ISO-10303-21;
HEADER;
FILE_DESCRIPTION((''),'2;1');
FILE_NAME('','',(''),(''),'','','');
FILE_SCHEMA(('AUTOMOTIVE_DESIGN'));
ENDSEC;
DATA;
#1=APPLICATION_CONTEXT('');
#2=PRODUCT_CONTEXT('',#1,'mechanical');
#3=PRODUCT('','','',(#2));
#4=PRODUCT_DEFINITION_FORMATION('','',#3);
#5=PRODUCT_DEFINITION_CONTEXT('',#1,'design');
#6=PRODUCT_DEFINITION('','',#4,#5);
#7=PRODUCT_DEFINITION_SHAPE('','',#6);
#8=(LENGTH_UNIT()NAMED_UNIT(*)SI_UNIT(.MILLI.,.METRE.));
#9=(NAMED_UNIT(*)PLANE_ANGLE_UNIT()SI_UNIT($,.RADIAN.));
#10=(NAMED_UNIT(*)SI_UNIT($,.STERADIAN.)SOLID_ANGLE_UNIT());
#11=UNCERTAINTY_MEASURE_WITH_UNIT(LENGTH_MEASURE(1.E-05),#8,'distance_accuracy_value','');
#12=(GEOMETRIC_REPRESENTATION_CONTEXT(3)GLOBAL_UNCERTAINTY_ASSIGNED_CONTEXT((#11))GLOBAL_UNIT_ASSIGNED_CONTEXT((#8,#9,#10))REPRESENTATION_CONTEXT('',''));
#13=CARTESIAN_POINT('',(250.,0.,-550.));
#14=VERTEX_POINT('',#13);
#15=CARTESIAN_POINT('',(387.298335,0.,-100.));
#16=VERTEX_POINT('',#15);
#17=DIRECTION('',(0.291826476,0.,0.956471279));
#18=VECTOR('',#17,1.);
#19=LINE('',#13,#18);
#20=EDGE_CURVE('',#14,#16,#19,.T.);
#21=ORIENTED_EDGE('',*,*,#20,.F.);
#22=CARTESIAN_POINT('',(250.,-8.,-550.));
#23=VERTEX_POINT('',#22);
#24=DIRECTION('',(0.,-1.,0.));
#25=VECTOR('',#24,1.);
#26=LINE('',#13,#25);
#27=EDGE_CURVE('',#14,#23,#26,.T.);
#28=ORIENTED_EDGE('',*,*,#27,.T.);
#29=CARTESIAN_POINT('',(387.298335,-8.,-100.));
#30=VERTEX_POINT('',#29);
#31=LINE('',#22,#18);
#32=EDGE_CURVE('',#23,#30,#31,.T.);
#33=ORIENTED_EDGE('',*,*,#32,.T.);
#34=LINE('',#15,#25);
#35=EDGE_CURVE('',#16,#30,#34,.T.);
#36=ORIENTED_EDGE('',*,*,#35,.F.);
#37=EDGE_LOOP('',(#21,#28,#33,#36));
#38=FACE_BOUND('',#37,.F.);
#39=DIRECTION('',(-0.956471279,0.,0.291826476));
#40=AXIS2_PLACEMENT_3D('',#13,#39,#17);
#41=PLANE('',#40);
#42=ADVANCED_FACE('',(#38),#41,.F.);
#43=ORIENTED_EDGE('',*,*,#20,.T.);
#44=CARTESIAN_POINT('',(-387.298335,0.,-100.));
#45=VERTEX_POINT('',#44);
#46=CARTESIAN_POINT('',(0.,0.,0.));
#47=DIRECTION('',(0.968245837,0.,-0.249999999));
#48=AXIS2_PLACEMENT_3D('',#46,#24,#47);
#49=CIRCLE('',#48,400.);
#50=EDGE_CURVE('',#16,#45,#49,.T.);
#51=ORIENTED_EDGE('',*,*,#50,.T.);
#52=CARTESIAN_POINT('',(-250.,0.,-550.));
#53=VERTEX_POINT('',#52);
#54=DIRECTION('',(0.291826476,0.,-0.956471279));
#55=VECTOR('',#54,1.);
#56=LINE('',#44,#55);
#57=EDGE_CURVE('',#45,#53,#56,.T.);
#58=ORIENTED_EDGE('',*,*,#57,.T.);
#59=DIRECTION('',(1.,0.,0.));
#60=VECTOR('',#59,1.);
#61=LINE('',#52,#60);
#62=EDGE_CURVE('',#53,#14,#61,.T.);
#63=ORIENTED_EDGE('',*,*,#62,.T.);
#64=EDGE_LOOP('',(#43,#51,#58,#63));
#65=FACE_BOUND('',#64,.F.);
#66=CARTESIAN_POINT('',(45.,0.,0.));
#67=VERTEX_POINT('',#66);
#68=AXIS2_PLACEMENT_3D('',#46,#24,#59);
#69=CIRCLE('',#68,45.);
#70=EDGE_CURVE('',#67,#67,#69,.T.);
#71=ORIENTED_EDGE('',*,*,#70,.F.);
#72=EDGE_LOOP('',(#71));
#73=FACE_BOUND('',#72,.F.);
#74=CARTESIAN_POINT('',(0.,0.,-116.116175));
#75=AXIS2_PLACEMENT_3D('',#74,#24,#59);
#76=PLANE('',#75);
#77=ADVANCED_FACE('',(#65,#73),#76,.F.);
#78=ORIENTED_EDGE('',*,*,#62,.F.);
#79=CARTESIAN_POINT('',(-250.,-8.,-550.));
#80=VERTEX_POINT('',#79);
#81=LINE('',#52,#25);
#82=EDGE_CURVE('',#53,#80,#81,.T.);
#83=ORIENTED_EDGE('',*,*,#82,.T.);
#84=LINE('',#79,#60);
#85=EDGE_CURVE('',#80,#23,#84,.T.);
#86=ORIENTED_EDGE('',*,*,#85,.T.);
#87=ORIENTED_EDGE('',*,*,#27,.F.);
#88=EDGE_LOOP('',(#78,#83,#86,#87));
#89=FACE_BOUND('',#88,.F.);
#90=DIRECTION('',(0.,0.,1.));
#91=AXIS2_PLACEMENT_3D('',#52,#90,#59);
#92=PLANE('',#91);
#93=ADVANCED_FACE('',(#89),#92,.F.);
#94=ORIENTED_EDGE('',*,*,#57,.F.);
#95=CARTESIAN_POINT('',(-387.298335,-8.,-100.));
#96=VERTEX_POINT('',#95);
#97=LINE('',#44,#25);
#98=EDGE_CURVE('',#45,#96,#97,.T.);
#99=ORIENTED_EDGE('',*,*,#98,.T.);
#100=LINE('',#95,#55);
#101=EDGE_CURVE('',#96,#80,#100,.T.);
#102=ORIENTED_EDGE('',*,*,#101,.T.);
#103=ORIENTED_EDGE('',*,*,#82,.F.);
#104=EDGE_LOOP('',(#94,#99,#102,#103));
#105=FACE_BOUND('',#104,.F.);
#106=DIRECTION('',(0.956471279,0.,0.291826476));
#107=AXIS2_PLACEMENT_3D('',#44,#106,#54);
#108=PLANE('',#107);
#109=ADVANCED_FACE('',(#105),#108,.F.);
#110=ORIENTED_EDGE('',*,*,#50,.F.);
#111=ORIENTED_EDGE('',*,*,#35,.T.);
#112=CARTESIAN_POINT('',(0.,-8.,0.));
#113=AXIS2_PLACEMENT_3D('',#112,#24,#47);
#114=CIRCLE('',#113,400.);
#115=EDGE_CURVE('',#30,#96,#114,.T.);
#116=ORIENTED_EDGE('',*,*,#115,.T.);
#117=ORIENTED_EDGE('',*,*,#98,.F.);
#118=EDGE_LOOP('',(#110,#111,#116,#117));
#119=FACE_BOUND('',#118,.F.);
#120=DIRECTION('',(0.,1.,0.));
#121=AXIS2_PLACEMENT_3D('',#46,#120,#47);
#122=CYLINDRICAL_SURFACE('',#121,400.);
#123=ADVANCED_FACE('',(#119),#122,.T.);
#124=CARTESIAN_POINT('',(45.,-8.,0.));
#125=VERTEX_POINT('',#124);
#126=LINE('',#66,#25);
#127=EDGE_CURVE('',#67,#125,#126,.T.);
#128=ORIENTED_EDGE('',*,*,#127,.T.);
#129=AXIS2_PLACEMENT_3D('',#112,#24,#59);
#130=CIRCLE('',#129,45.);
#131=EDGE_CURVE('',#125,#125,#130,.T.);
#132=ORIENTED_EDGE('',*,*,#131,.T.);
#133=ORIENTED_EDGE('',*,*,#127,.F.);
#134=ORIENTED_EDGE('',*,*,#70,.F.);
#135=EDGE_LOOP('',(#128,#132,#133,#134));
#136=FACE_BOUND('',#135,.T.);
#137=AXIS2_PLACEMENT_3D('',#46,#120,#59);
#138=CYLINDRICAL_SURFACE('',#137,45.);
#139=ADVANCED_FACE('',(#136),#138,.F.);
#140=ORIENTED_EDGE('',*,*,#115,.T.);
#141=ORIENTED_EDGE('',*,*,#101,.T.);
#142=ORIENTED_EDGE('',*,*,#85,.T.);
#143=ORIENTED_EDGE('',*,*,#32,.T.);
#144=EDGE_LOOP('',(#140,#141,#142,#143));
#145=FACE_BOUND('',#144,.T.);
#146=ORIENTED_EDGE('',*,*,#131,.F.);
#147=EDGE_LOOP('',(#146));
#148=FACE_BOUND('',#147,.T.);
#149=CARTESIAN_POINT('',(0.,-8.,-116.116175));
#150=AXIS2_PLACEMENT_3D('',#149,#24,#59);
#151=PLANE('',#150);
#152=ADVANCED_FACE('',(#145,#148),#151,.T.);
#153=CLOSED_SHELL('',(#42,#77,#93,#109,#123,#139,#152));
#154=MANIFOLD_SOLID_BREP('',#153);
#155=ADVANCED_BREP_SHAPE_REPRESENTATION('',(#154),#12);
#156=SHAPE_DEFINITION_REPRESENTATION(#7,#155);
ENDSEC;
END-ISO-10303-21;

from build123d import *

# Parameters (mm, degrees)
F0_R     = 45
F1_DEPTH = 8


with BuildPart() as f1:
    # F0 (on Front) → F1 (new body)
    with BuildSketch(Plane.XZ):
        with BuildLine():
            Line((250, -550), (387.298335, -100))
            ThreePointArc((387.298335, -100), (0, 400), (-387.298335, -100))
            Line((-387.298335, -100), (-250, -550))
            Line((-250, -550), (24.55101, -550))
            Line((24.55101, -550), (250, -550))
        make_face()
        Circle(F0_R, mode=Mode.SUBTRACT)
    extrude(amount=F1_DEPTH)


solid = f1.part
